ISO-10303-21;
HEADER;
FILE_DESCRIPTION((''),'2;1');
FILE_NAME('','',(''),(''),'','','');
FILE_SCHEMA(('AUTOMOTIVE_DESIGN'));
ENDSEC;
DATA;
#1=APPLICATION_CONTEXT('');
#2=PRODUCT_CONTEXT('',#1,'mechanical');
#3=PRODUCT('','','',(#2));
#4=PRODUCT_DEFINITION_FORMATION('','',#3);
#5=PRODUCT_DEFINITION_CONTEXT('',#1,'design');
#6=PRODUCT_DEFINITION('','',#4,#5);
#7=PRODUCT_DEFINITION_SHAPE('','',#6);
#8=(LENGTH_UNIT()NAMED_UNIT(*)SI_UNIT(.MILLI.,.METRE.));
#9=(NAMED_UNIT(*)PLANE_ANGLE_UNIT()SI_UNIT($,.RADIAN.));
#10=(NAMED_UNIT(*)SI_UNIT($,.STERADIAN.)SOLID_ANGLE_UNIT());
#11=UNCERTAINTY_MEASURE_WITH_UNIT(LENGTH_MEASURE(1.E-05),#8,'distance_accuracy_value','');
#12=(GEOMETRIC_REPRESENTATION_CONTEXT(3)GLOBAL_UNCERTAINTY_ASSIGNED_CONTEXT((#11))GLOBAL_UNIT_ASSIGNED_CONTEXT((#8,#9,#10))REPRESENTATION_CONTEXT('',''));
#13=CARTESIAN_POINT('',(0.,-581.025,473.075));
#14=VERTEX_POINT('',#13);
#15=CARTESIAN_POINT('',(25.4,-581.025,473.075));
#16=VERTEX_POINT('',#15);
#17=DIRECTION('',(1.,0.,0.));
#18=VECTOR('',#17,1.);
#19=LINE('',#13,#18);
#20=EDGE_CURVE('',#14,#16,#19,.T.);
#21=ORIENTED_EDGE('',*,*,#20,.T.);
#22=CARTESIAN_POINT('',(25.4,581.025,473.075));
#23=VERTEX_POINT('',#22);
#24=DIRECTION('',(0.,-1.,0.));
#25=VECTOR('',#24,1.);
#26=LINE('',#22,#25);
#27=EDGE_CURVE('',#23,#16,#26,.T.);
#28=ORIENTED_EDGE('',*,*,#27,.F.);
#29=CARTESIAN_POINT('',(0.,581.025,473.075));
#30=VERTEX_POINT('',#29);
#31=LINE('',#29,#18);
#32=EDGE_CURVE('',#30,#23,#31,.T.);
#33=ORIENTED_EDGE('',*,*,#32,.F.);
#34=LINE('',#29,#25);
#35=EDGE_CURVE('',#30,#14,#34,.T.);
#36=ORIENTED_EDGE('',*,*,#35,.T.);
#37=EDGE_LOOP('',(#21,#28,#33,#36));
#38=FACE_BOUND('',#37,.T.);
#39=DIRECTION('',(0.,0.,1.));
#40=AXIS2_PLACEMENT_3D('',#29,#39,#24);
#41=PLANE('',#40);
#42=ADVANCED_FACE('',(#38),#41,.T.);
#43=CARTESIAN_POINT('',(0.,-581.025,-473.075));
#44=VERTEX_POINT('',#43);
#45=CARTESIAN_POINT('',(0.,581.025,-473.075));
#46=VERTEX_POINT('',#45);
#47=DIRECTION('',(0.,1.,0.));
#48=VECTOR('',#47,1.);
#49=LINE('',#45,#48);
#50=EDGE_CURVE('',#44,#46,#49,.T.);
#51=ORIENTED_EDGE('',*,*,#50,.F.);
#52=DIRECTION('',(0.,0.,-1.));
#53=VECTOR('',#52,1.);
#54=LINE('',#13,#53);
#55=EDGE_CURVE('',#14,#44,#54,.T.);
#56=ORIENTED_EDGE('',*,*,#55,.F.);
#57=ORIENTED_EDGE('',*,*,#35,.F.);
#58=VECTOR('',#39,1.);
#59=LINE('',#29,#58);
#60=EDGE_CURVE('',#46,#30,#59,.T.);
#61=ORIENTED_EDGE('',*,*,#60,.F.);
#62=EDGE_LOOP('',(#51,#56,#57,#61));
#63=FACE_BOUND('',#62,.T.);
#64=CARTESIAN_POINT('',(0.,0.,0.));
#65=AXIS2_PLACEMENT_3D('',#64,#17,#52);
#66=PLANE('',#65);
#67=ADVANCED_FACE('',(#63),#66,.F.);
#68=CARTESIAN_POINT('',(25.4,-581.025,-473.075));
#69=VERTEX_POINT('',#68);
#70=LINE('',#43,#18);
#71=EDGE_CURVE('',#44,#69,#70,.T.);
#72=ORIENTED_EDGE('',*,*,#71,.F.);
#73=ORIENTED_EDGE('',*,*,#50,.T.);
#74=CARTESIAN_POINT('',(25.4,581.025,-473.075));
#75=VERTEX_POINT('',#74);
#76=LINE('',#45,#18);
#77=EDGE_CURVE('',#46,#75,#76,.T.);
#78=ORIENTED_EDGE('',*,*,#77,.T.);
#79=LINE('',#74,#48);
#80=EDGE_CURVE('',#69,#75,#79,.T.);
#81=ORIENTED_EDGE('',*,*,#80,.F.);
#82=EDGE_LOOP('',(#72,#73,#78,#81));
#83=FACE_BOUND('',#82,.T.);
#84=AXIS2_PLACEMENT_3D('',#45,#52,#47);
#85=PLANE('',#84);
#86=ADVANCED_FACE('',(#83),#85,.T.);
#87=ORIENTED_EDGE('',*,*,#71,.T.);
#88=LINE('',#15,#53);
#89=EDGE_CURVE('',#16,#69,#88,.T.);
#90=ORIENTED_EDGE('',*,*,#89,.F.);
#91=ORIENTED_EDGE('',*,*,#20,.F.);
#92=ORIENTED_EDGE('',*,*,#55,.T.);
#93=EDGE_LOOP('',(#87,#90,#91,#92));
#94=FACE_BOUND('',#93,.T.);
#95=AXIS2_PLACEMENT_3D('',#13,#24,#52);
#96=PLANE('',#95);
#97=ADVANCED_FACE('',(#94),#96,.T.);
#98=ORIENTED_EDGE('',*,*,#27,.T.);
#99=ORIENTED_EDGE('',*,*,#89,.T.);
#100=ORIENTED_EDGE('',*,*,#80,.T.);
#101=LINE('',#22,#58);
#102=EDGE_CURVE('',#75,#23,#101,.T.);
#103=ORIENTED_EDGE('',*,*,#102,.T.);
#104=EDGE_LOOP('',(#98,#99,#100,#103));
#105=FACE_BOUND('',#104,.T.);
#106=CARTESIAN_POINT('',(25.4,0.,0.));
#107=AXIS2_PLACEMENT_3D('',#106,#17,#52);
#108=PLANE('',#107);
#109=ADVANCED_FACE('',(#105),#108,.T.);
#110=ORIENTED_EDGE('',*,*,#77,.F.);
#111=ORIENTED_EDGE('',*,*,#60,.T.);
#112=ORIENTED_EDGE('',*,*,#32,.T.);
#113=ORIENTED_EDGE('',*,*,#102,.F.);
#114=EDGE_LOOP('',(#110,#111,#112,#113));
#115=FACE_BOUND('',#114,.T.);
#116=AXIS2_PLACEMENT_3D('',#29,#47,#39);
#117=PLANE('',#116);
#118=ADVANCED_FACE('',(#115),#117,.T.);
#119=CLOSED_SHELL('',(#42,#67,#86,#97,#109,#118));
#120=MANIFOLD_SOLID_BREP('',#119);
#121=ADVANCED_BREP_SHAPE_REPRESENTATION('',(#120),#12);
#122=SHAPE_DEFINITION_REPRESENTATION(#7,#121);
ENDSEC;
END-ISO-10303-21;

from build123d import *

# Parameters (mm, degrees)
SKETCH2_W           = 819.15
SKETCH2_H           = 1035.05
BOSS_EXTRUDE1_DEPTH = 25.4
SKETCH3_W           = 895.35
SKETCH3_H           = 1111.25
SKETCH3_W_2         = 819.15
SKETCH3_H_2         = 1035.05
BOSS_EXTRUDE2_DEPTH = 25.4
SKETCH4_W           = 946.15
SKETCH4_H           = 1162.05
BOSS_EXTRUDE3_DEPTH = 25.4


with BuildPart() as part:
    # Sketch2 → Boss-Extrude1 (new body)
    with BuildSketch(Plane(origin=(0, 0, 0), x_dir=(0, 0, -1), z_dir=(1, 0, 0))):
        Rectangle(SKETCH2_W, SKETCH2_H)
    extrude(amount=BOSS_EXTRUDE1_DEPTH)

    # Sketch3 → Boss-Extrude2 (add)
    with BuildSketch(Plane(origin=(25.4, 0, 0), x_dir=(0, 0, -1), z_dir=(1, 0, 0))):
        Rectangle(SKETCH3_W, SKETCH3_H)
        Rectangle(SKETCH3_W_2, SKETCH3_H_2, mode=Mode.SUBTRACT)
    extrude(amount=-BOSS_EXTRUDE2_DEPTH)

    # Sketch4 → Boss-Extrude3 (add)
    with BuildSketch(Plane(origin=(25.4, 0, 0), x_dir=(0, 0, -1), z_dir=(1, 0, 0))):
        Rectangle(SKETCH4_W, SKETCH4_H)
    extrude(amount=-BOSS_EXTRUDE3_DEPTH)


solid = part.part
